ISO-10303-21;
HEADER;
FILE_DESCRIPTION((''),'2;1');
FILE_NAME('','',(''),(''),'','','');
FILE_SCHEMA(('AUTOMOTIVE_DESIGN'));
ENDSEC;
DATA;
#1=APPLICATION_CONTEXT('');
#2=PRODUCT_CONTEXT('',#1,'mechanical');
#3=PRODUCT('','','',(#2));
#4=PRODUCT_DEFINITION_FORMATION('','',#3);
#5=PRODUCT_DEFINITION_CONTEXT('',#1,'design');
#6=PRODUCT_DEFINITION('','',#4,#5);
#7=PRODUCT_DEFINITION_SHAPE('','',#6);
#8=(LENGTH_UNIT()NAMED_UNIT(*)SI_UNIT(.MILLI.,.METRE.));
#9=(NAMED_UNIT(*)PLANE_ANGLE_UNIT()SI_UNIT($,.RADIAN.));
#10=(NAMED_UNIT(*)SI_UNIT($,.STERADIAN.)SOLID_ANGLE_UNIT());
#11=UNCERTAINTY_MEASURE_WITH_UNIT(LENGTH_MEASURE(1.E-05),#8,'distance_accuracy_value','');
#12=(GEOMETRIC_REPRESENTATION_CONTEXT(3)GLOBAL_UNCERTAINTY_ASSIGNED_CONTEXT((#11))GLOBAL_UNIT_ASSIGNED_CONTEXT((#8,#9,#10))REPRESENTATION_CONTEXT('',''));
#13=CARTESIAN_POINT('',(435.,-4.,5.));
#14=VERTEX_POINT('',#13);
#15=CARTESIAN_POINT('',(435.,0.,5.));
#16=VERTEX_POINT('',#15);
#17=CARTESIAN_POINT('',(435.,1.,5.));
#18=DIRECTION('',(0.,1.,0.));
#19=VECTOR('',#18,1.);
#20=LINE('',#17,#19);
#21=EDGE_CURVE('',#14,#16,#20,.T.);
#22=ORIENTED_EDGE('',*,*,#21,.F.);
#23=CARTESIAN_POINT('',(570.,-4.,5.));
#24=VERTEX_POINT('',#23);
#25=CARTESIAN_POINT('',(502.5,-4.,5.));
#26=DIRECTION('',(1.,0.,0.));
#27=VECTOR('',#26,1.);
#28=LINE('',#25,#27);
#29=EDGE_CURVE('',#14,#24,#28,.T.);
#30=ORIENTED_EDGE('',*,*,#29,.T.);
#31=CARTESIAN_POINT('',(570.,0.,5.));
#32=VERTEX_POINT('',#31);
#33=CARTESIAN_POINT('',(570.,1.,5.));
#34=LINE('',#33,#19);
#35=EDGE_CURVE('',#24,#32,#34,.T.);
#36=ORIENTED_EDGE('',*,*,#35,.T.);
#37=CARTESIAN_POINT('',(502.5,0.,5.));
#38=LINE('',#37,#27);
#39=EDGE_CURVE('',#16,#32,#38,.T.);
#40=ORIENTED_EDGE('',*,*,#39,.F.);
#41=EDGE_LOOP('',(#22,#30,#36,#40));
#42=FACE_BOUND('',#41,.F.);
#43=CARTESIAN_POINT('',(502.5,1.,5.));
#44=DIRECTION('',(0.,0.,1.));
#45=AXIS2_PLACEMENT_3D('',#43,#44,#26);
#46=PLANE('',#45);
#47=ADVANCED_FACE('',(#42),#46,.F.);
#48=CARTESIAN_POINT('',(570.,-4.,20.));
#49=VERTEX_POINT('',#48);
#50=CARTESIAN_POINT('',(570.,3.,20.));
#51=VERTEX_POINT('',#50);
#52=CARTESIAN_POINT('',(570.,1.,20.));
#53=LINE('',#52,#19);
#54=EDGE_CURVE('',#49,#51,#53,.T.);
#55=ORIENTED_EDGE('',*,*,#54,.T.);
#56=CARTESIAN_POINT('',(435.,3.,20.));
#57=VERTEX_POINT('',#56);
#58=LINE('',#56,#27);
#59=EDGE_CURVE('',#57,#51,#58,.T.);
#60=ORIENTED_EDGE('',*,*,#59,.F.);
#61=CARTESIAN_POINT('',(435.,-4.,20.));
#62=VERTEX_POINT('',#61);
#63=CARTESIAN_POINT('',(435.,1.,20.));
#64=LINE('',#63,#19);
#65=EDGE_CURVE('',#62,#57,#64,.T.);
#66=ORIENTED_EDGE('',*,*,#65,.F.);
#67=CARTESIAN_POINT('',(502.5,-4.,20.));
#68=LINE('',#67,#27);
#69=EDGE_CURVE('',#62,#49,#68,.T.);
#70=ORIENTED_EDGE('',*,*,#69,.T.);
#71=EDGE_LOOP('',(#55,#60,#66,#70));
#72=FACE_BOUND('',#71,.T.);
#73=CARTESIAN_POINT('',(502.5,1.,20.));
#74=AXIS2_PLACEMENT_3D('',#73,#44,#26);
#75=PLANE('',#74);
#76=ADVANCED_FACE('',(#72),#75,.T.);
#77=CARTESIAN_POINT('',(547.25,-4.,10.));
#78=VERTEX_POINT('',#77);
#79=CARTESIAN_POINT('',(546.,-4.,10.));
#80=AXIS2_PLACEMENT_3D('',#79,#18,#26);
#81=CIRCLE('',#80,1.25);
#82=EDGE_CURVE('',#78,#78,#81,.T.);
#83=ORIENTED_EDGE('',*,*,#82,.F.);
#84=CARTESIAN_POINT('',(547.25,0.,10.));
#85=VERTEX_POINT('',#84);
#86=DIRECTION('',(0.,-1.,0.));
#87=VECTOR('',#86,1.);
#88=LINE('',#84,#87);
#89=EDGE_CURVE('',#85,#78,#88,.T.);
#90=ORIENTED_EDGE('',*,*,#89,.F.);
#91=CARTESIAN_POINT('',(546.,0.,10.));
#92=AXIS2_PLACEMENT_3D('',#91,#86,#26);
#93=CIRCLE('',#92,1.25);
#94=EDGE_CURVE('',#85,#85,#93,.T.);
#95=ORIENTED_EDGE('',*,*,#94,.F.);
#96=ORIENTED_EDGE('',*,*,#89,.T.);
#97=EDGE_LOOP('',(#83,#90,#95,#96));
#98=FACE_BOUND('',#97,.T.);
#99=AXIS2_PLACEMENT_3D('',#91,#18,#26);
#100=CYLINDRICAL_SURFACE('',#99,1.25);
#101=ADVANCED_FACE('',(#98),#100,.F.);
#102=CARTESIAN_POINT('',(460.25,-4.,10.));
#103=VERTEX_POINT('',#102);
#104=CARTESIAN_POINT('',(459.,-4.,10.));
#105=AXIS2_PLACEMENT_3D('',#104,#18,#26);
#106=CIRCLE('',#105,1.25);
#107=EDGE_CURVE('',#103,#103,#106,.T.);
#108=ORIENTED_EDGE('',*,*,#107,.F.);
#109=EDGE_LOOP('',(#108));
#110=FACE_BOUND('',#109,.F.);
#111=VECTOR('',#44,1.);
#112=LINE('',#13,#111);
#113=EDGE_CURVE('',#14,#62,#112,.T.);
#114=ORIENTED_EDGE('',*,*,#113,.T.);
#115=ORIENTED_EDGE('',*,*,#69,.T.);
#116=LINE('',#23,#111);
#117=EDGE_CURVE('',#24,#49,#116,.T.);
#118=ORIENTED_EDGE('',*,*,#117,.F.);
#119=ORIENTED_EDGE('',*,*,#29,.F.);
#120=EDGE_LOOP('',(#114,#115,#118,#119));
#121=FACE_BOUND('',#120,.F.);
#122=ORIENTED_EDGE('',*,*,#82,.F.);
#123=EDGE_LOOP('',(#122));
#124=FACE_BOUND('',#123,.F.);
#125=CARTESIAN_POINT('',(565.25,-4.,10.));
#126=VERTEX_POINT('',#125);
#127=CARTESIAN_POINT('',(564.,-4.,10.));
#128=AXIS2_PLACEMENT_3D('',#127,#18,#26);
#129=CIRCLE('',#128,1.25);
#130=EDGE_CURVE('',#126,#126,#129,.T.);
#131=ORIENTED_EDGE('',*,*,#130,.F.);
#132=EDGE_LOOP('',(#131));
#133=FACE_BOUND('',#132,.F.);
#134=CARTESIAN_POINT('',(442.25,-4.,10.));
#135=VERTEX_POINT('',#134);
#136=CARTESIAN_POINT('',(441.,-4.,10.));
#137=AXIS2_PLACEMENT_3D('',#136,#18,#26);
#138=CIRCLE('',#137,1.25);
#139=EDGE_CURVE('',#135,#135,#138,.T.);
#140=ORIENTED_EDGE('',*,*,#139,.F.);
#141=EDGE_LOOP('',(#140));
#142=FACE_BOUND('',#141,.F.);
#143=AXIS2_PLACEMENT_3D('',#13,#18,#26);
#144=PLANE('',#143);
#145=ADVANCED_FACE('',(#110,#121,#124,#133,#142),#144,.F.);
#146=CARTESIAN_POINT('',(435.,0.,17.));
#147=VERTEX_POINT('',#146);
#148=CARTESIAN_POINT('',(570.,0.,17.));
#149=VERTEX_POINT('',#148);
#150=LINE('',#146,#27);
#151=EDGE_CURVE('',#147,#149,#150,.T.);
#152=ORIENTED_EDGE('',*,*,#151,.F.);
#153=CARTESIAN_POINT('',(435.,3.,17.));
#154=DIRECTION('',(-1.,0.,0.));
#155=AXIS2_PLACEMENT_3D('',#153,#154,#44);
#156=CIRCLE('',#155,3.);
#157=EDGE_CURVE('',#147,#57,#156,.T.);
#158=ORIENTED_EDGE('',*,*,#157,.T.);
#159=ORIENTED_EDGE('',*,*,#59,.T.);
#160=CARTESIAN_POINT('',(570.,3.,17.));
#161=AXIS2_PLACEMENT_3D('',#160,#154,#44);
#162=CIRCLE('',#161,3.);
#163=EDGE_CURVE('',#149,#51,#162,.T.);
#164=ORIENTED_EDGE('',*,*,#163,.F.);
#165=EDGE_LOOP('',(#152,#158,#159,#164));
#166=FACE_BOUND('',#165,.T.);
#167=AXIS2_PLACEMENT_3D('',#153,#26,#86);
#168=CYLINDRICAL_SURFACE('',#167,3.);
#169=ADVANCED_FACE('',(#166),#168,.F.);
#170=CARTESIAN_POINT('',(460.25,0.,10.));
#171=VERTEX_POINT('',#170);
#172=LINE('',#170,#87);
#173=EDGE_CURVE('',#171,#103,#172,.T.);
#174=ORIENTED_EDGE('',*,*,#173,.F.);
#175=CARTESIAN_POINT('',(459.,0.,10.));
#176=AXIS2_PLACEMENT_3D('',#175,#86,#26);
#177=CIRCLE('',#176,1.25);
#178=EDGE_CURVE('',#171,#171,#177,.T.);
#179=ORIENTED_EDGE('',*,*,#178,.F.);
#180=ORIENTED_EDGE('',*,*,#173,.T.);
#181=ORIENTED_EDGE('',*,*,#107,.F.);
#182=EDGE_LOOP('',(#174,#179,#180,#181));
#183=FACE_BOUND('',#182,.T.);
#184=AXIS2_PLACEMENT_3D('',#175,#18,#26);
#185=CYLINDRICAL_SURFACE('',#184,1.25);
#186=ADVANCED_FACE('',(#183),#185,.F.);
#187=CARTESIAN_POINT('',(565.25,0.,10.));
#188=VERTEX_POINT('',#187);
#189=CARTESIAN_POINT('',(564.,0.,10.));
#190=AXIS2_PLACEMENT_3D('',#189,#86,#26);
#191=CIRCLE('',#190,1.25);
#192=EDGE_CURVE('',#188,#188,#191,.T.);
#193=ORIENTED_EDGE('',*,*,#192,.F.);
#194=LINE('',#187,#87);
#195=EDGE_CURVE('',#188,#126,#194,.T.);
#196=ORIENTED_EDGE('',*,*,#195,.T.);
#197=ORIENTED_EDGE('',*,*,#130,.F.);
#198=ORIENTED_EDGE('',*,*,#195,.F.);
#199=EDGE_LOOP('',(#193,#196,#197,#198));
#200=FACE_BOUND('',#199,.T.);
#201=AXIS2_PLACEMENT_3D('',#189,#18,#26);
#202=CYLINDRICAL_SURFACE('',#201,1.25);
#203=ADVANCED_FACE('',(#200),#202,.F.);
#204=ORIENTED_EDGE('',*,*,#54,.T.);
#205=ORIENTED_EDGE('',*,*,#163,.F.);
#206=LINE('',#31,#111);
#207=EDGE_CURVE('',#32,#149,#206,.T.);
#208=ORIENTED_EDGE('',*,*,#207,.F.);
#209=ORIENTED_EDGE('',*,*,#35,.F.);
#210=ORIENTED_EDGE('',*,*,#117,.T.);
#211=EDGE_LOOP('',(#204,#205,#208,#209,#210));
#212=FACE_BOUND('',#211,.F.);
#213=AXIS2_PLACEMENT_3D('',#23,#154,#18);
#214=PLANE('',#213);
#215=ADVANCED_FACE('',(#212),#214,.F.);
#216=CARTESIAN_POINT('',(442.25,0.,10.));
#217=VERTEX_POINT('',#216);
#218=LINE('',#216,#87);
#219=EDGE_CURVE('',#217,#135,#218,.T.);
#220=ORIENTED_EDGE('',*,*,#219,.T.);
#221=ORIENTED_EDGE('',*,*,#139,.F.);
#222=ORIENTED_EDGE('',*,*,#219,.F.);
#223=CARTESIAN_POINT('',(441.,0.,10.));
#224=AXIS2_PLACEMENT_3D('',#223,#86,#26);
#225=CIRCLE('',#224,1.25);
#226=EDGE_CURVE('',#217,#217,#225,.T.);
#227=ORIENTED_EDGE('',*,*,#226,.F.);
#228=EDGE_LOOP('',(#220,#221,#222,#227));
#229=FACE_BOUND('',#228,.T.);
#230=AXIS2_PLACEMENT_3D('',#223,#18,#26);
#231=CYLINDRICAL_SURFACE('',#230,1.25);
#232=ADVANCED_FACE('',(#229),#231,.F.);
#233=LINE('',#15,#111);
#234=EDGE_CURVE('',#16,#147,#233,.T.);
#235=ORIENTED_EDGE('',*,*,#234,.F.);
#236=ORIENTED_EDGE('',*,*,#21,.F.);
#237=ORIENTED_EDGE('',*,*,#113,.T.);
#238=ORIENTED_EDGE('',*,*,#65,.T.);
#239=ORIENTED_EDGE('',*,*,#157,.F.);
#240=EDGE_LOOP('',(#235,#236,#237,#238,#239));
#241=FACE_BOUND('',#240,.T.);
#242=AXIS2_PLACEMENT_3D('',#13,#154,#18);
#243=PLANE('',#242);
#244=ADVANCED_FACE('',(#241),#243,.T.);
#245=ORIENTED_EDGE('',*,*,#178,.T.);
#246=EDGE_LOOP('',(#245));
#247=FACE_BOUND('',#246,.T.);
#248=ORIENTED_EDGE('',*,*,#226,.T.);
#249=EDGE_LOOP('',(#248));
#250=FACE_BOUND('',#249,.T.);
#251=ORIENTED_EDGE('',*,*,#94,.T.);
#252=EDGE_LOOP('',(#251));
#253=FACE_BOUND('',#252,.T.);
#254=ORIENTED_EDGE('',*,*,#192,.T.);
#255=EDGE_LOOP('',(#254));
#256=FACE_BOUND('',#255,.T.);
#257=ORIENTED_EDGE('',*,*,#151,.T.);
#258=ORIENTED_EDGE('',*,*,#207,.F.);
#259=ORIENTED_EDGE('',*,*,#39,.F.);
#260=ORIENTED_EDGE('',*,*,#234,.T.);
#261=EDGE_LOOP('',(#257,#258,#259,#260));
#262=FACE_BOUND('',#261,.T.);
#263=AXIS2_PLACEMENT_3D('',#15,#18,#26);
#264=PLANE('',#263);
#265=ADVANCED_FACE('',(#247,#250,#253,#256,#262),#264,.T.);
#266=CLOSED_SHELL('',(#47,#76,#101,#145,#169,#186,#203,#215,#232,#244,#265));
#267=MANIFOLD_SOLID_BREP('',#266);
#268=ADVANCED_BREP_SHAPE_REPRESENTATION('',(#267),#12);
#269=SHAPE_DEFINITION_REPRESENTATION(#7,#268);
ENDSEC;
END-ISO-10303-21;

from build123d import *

# Parameters (mm, degrees)
CYLINDER183_R     = 1.25
CYLINDER183_DEPTH = 10
CYLINDER182_R     = 1.25
CYLINDER182_DEPTH = 10
CYLINDER181_R     = 1.25
CYLINDER181_DEPTH = 10
CYLINDER180_R     = 1.25
CYLINDER180_DEPTH = 10
BOX092_W          = 135
BOX092_H          = 10
BOX092_DEPTH      = 15
FILLET049_R       = 3
BOX093_W          = 135
BOX093_H          = 10
BOX093_DEPTH      = 15


with BuildPart() as cylinder183:
    # Cylinder183 → Cylinder183 (new body)
    with BuildSketch(Plane(origin=(564, 0, 10), x_dir=(1, 0, 0), z_dir=(0, -1, 0))):
        Circle(CYLINDER183_R)
    extrude(amount=CYLINDER183_DEPTH)


with BuildPart() as cylinder182:
    # Cylinder182 → Cylinder182 (new body)
    with BuildSketch(Plane(origin=(546, 0, 10), x_dir=(1, 0, 0), z_dir=(0, -1, 0))):
        Circle(CYLINDER182_R)
    extrude(amount=CYLINDER182_DEPTH)


with BuildPart() as cylinder181:
    # Cylinder181 → Cylinder181 (new body)
    with BuildSketch(Plane(origin=(459, 0, 10), x_dir=(1, 0, 0), z_dir=(0, -1, 0))):
        Circle(CYLINDER181_R)
    extrude(amount=CYLINDER181_DEPTH)


with BuildPart() as fusion155:
    # Cylinder180 → Cylinder180 (new body)
    with BuildSketch(Plane(origin=(441, 0, 10), x_dir=(1, 0, 0), z_dir=(0, -1, 0))):
        Circle(CYLINDER180_R)
    extrude(amount=CYLINDER180_DEPTH)

    # Fusion155: union Cylinder183, Cylinder182, Cylinder181
    add(cylinder183.part)
    add(cylinder182.part)
    add(cylinder181.part)


with BuildPart() as fillet049:
    # Box092 → Box092 (new body)
    with BuildSketch(Plane(origin=(435, 0, 5), x_dir=(1, 0, 0), z_dir=(0, 0, 1))):
        with Locations((67.5, 5)):
            Rectangle(BOX092_W, BOX092_H)
    extrude(amount=BOX092_DEPTH)

    # Fillet049
    fillet049_edges = [fillet049.edges().sort_by_distance(p)[0] for p in [
        (502.5, 0, 20),
    ]]
    fillet(fillet049_edges, radius=FILLET049_R)


with BuildPart() as fenders_holes:
    # Box093 → Box093 (new body)
    with BuildSketch(Plane(origin=(435, -4, 5), x_dir=(1, 0, 0), z_dir=(0, 0, 1))):
        with Locations((67.5, 5)):
            Rectangle(BOX093_W, BOX093_H)
    extrude(amount=BOX093_DEPTH)

    # Cut112: cut Fillet049
    add(fillet049.part, mode=Mode.SUBTRACT)

    # Cut113: cut Fusion155
    add(fusion155.part, mode=Mode.SUBTRACT)


solid = fenders_holes.part
